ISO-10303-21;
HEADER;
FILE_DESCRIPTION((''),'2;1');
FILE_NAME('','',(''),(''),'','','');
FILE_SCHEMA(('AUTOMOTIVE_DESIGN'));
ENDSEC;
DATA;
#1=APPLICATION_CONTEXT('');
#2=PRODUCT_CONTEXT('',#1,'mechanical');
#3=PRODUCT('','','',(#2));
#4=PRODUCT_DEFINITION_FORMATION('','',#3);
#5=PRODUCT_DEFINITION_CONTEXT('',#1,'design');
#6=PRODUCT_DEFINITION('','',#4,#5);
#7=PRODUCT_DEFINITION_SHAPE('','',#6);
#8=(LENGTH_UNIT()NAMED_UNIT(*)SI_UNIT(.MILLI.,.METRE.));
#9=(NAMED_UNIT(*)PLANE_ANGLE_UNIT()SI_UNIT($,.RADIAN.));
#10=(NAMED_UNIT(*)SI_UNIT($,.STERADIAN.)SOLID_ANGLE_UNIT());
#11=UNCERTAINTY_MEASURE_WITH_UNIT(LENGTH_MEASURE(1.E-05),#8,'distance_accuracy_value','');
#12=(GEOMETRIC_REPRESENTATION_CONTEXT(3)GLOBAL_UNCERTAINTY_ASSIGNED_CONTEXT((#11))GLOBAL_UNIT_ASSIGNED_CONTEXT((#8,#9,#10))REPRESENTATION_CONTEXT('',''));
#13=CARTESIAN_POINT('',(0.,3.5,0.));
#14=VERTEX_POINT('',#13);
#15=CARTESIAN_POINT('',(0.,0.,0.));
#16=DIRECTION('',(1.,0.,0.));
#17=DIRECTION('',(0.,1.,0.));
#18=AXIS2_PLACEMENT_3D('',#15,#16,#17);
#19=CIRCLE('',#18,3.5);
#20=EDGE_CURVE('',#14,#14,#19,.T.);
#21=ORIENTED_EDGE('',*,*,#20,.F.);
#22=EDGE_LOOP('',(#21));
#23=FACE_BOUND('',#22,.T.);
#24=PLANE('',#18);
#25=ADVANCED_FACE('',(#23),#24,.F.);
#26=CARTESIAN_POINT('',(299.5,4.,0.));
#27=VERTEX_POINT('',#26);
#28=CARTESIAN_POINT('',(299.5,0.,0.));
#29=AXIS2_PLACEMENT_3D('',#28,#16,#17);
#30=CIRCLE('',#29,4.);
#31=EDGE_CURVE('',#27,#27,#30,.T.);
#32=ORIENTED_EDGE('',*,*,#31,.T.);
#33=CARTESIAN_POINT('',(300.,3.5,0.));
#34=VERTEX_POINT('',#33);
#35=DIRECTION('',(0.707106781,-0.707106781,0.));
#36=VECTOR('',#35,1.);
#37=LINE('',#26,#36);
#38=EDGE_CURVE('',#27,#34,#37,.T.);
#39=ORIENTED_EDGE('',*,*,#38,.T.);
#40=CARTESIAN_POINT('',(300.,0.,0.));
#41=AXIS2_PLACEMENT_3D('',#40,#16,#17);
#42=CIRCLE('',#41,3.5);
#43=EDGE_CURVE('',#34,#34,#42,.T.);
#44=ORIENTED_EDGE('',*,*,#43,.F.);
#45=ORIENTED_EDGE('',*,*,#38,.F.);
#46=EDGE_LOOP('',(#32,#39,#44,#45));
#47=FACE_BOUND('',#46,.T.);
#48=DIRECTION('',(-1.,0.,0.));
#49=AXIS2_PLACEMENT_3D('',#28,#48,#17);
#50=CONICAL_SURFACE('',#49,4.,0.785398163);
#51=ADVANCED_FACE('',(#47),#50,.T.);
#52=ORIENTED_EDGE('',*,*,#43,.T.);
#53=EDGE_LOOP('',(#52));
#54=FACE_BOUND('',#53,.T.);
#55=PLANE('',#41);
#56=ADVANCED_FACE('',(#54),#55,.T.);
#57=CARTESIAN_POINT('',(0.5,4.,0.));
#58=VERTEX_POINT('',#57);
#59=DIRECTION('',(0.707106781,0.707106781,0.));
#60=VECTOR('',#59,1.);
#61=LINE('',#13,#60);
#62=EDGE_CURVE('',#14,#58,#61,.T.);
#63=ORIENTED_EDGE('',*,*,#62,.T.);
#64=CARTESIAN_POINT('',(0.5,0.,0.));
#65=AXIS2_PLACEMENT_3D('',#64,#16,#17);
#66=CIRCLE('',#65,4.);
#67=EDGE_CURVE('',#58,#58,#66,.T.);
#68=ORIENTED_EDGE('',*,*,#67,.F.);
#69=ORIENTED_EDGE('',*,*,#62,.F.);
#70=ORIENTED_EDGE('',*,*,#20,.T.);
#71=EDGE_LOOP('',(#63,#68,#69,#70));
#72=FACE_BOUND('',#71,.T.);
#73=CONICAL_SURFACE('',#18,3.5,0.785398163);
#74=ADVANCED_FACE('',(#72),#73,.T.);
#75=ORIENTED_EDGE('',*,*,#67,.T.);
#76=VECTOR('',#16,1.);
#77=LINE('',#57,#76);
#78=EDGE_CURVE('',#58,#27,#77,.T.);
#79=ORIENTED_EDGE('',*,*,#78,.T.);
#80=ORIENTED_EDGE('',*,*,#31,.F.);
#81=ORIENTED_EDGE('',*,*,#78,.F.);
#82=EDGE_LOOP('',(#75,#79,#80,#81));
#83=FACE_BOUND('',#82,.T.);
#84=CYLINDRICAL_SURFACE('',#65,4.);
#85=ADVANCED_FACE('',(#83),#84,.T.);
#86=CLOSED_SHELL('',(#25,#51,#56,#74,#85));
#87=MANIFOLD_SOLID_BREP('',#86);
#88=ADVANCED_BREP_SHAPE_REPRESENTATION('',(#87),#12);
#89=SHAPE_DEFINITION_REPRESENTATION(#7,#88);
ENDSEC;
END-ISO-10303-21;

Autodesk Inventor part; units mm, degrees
ref_plane "YZ Plane" through (0, 0, 0) normal (1, 0, 0) x (0, 1, 0)
ref_plane "XZ Plane" through (0, 0, 0) normal (0, 1, 0) x (-1, 0, 0)
ref_plane "XY Plane" through (0, 0, 0) normal (0, 0, 1) x (1, 0, 0)
sketch "Sketch_3" plane through (0, 0, 0) normal (0, 0, 1) x (1, 0, 0)
  line L0 (300, 0) -> (0, 0)
  line L1 (0, 0) -> (0, 3.5)
  line L2 (0, 3.5) -> (0.5, 4)
  line L3 (0.5, 4) -> (299.5, 4)
  line L4 (299.5, 4) -> (300, 3.5)
  line L5 (300, 3.5) -> (300, 0)
  line L6 (300, 0) -> (0, 0)
revolve "Revolution1" add sketch "Sketch_3" angle 360 about axis through (300, 0, 0) along (1, 0, 0)
properties part number "PSFG8-300"
